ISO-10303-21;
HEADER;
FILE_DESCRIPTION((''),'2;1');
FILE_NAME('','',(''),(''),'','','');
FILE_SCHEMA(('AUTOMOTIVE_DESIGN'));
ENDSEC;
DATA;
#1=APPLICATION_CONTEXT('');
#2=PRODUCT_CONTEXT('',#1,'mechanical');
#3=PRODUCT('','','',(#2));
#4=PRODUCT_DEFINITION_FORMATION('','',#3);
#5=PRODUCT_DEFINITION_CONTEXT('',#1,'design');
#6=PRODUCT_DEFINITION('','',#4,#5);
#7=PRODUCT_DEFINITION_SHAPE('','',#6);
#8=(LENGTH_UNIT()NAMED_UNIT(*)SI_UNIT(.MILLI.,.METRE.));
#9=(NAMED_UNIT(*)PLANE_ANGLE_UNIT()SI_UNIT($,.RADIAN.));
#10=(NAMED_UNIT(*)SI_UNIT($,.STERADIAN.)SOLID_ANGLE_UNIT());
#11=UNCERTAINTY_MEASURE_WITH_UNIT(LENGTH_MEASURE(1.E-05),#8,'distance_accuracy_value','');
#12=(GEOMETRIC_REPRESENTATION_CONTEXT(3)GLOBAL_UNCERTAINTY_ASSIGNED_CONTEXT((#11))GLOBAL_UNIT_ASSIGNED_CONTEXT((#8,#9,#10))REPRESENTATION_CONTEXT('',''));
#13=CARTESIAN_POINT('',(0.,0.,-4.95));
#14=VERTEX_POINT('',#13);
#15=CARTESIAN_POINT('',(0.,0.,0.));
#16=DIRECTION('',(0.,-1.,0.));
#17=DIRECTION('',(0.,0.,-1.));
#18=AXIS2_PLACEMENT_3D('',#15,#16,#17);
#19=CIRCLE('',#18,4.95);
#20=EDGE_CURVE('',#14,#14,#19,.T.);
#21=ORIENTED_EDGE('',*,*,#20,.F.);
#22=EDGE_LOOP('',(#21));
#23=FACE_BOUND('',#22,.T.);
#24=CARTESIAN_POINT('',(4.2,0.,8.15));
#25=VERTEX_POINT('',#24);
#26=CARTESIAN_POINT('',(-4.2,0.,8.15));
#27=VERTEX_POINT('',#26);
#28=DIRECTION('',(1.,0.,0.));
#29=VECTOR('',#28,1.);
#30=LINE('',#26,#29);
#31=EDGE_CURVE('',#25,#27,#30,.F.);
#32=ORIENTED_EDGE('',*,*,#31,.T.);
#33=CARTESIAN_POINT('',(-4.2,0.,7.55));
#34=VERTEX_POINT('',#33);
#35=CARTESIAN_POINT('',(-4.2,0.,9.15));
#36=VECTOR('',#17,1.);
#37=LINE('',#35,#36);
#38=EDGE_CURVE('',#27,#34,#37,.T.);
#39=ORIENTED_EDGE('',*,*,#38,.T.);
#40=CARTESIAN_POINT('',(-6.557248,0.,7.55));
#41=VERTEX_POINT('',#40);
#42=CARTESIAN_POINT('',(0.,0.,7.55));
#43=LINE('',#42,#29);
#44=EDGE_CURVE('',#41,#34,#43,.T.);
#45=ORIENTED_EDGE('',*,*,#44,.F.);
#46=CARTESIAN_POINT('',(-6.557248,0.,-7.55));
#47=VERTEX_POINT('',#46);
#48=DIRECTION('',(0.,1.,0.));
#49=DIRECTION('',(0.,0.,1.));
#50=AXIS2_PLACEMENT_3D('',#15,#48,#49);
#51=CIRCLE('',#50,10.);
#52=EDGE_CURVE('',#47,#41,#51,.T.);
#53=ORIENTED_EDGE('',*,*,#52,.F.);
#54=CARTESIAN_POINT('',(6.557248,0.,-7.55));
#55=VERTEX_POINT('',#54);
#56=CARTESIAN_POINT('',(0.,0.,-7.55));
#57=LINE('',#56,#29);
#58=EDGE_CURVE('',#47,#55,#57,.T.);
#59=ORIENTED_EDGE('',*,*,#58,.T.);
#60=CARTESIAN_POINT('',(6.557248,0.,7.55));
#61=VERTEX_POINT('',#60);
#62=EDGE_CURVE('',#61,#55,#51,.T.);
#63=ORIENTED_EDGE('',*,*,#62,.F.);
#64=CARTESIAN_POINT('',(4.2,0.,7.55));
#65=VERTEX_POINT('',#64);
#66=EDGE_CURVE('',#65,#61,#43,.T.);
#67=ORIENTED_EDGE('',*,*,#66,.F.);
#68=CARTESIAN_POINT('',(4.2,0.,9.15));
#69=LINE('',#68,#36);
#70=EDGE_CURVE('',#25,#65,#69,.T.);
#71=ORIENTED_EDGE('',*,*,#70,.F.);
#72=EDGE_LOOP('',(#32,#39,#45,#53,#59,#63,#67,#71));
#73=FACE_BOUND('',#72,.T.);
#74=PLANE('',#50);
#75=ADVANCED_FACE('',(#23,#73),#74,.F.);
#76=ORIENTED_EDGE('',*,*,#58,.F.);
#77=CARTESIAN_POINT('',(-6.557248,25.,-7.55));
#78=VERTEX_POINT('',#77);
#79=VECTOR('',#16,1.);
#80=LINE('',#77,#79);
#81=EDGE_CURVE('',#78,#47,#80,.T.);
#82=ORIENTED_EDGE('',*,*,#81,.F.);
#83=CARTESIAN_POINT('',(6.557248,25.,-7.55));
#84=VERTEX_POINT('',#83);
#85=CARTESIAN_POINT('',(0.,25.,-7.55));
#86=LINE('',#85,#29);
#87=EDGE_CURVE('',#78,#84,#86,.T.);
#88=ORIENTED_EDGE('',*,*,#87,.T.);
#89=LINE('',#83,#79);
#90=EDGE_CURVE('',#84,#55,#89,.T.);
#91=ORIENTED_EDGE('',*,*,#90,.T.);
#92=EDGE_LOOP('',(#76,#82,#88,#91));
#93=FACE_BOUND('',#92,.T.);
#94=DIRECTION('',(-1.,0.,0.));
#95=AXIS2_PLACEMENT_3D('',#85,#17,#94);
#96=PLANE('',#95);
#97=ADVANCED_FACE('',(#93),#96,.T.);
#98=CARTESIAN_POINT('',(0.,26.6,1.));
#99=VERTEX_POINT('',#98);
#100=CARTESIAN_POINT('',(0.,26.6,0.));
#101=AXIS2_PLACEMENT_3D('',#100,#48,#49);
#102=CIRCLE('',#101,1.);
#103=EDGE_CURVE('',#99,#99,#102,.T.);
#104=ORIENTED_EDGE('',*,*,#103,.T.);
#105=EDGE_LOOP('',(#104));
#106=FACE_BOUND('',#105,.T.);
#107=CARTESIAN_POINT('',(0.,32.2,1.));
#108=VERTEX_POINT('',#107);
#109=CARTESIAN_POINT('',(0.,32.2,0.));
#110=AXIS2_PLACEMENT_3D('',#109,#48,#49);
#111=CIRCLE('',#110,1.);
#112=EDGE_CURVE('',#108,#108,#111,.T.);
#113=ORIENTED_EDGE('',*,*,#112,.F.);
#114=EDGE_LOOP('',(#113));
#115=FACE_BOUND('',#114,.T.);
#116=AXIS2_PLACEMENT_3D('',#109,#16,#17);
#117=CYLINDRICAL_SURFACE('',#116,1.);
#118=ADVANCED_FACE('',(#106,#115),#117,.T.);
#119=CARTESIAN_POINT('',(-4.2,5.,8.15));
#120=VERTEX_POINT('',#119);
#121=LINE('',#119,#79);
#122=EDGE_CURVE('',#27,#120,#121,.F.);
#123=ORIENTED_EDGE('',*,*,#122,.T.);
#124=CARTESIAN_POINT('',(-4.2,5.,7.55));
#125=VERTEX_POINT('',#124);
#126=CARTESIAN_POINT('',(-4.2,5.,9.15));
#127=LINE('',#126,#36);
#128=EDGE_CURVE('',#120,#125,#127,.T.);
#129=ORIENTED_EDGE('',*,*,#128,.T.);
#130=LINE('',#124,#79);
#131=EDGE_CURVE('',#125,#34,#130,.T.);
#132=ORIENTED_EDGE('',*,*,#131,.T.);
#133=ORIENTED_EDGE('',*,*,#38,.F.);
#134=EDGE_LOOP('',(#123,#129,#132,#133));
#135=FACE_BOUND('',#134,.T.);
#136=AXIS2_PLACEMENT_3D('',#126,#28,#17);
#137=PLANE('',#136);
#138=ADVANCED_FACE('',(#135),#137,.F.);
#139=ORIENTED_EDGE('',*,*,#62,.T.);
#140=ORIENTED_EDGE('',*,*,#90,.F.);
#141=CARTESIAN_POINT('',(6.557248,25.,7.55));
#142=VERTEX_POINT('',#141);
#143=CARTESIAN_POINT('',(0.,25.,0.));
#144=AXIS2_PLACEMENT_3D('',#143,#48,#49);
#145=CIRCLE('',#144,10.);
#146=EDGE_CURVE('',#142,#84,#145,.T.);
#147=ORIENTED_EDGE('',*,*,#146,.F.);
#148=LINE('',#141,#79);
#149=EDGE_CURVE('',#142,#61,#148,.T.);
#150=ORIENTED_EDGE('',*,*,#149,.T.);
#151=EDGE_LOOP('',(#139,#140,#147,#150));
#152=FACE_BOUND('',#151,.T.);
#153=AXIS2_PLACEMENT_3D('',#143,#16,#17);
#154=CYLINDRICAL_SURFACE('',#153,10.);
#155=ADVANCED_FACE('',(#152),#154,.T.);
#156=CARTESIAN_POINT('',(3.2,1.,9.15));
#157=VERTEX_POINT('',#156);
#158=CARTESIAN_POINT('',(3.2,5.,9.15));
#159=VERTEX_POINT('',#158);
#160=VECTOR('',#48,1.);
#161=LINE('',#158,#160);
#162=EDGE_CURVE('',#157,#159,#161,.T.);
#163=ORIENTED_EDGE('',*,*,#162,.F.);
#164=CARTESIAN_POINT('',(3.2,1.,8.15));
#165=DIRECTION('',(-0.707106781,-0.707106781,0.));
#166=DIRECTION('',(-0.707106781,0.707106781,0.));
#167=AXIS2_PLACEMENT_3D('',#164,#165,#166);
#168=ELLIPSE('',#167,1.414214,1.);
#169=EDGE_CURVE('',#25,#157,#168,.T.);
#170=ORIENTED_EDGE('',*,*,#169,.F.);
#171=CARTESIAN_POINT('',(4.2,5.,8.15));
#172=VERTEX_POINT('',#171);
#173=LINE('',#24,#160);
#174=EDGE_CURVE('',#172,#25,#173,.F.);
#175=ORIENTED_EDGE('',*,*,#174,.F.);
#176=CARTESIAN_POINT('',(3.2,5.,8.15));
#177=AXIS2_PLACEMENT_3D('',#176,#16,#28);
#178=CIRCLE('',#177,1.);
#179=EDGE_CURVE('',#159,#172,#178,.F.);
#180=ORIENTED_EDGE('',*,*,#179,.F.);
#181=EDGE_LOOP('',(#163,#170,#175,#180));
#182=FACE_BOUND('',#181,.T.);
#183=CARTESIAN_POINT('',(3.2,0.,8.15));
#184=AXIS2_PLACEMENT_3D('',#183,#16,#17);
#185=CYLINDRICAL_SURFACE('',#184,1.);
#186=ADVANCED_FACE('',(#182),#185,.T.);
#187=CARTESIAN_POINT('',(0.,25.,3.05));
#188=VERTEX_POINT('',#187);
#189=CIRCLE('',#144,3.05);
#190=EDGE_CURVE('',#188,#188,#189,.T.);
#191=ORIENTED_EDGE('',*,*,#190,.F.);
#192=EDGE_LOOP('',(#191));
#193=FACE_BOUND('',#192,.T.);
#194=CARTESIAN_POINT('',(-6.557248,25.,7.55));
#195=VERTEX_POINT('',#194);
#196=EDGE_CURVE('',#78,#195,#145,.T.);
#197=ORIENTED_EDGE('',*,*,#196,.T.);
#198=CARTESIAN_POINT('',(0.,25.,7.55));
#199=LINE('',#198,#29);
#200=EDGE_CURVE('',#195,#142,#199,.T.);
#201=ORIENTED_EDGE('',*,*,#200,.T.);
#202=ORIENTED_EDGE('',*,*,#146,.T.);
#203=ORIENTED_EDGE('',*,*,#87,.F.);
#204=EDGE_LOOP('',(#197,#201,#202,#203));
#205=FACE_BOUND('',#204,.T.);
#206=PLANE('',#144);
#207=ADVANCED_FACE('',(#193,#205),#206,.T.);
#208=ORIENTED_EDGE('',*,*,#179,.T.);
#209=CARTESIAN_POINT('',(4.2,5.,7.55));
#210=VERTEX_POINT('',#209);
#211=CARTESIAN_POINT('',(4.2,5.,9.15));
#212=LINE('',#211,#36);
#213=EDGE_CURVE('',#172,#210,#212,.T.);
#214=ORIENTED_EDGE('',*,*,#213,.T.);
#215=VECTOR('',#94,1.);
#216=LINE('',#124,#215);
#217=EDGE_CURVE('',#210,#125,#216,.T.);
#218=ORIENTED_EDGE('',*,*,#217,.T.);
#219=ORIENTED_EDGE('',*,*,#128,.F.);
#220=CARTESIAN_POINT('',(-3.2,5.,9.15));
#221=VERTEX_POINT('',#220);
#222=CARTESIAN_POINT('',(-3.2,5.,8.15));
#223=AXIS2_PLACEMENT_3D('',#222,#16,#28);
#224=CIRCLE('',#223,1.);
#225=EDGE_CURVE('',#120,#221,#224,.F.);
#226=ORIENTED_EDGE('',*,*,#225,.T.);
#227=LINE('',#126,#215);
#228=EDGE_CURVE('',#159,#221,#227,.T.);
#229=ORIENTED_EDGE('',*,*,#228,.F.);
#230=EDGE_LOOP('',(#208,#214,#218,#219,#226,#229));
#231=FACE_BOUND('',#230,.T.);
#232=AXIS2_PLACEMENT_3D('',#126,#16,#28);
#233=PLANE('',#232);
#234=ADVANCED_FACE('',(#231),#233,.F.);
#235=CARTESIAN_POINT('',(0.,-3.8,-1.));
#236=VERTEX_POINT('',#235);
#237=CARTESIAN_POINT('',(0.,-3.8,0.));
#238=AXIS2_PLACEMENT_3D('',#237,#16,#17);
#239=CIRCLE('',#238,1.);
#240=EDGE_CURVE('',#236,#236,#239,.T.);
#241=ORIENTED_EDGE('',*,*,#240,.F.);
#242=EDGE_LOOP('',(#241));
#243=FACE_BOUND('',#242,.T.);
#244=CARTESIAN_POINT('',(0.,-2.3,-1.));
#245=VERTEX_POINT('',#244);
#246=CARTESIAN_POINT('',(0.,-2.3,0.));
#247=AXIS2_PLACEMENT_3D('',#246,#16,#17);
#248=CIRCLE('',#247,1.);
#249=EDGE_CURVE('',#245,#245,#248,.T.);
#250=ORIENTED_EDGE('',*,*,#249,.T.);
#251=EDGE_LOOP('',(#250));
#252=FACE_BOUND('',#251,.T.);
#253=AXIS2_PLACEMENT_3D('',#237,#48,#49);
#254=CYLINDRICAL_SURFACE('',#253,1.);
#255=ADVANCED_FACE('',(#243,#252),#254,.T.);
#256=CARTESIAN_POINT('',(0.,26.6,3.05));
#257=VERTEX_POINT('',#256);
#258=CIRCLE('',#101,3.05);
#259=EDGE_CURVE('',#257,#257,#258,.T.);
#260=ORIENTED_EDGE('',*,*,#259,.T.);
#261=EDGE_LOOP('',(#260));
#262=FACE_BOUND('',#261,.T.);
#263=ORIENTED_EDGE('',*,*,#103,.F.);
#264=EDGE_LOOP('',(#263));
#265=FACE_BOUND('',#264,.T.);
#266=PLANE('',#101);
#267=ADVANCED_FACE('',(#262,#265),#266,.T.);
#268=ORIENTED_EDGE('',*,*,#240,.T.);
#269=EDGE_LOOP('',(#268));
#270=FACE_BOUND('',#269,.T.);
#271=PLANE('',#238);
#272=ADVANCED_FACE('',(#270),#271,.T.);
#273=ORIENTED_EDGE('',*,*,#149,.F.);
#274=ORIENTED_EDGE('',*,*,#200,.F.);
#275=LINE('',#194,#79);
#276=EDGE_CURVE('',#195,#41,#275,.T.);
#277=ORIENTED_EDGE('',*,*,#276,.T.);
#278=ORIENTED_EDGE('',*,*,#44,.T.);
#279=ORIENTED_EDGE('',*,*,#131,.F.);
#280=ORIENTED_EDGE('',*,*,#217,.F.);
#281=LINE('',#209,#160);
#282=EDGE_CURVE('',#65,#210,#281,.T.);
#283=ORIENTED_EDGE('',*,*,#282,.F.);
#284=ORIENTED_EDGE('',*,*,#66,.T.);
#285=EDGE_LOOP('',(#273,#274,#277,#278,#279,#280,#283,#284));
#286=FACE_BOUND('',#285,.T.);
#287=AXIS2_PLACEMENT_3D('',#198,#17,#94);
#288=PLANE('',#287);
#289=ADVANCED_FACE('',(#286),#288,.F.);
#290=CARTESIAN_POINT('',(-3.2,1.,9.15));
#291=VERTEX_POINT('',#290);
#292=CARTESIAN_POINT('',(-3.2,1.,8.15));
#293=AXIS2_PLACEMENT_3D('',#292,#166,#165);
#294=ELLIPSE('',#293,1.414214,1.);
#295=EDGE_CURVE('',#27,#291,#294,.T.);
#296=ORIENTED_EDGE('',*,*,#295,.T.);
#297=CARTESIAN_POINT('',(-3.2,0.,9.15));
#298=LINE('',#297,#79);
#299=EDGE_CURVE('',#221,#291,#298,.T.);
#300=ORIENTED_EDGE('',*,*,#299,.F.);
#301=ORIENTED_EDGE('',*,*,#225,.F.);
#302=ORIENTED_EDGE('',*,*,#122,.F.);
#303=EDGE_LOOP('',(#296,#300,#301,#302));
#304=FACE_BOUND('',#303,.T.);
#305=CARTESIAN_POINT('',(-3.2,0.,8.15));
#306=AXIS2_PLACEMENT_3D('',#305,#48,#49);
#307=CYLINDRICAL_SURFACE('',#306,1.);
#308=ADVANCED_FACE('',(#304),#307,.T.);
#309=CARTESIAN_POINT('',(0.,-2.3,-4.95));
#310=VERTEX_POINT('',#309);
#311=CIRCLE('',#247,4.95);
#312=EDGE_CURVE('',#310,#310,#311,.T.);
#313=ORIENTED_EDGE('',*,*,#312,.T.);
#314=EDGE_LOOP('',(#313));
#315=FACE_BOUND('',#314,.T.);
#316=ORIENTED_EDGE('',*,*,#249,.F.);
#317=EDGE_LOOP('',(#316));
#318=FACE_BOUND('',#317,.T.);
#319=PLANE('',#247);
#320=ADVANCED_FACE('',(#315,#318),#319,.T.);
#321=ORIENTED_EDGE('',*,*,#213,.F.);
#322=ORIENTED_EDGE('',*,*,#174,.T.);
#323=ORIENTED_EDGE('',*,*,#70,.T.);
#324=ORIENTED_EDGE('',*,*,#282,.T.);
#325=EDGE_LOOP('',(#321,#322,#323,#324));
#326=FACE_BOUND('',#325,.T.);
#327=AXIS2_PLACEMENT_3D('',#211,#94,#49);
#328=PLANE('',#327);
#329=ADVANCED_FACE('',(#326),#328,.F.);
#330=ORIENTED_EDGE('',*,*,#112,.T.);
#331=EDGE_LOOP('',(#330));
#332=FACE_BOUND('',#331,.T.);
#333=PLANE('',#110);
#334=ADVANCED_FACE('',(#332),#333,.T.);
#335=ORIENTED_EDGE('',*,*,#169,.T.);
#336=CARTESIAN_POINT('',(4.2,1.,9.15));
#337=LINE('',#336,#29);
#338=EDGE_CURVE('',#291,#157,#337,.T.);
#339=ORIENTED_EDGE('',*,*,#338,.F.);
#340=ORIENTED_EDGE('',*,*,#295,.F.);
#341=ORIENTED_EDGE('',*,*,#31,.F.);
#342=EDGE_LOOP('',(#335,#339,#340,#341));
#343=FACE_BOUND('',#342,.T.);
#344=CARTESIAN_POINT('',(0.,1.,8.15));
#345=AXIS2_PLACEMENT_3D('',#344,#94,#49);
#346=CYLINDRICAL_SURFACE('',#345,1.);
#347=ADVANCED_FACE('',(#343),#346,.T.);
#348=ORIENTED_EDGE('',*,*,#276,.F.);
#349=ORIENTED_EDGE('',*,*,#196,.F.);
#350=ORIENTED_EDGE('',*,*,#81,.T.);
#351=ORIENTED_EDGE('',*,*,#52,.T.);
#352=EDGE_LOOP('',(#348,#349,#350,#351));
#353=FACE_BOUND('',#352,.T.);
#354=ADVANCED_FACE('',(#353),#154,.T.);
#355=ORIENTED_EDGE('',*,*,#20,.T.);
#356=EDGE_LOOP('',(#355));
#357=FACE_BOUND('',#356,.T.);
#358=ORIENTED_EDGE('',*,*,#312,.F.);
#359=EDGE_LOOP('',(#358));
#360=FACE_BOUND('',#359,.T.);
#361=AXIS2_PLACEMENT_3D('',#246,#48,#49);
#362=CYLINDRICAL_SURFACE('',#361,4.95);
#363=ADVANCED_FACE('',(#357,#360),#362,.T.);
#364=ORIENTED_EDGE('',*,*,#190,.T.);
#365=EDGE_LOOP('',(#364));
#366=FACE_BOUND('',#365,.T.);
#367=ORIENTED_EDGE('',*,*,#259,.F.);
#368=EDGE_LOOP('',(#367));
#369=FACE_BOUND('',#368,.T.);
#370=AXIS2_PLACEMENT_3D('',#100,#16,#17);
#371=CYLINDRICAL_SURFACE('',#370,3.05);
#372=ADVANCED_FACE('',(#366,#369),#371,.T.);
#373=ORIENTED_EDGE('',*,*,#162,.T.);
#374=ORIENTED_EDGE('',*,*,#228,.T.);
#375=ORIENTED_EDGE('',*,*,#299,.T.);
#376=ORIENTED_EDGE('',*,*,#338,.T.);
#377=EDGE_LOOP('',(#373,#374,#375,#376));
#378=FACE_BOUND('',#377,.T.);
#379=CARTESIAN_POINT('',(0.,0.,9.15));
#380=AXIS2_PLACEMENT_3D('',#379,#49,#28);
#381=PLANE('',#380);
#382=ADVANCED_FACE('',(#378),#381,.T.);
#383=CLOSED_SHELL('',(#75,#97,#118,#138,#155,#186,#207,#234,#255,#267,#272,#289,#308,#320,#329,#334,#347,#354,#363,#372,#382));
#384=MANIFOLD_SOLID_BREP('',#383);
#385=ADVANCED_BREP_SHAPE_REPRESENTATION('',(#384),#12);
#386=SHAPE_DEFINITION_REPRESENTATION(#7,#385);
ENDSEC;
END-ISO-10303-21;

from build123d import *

# Parameters (mm, degrees)
BOSS_EXTRUDE1_DEPTH = 25
SKETCH2_R           = 3.05
BOSS_EXTRUDE2_DEPTH = 1.6
SKETCH3_R           = 1
BOSS_EXTRUDE3_DEPTH = 5.6
SKETCH4_R           = 4.95
BOSS_EXTRUDE4_DEPTH = 2.3
BOSS_EXTRUDE5_START = 1.5
SKETCH5_R           = 1
BOSS_EXTRUDE5_DEPTH = 1.5
SKETCH6_W           = 8.4
SKETCH6_H           = 5
BOSS_EXTRUDE6_DEPTH = 1.6
FILLET1_R           = 1


with BuildPart() as part:
    # Sketch1 → Boss-Extrude1 (new body)
    with BuildSketch(Plane(origin=(0, 0, 0), x_dir=(1, 0, 0), z_dir=(0, 1, 0))):
        with BuildLine():
            Line((6.557247898, 7.55), (-6.557247898, 7.55))
            ThreePointArc((-6.557247898, 7.55), (-10, 0), (-6.557247898, -7.55))
            Line((-6.557247898, -7.55), (6.557247898, -7.55))
            ThreePointArc((6.557247898, -7.55), (9.098694384, -4.148946916), (10, 0))
            ThreePointArc((10, 0), (9.098694384, 4.148946916), (6.557247898, 7.55))
        make_face()
    extrude(amount=BOSS_EXTRUDE1_DEPTH)

    # Sketch2 → Boss-Extrude2 (add)
    with BuildSketch(Plane(origin=(0, 25, 0), x_dir=(1, 0, 0), z_dir=(0, 1, 0))):
        with Locations(Location((0, 0, 0), (0, 0, 270))):
            Circle(SKETCH2_R)
    extrude(amount=BOSS_EXTRUDE2_DEPTH)

    # Sketch3 → Boss-Extrude3 (add)
    with BuildSketch(Plane(origin=(0, 26.6, 0), x_dir=(1, 0, 0), z_dir=(0, 1, 0))):
        with Locations(Location((0, 0, 0), (0, 0, 270))):
            Circle(SKETCH3_R)
    extrude(amount=BOSS_EXTRUDE3_DEPTH)

    # Sketch4 → Boss-Extrude4 (add)
    with BuildSketch(Plane.XZ):
        with Locations(Location((0, 0, 0), (0, 0, 270))):
            Circle(SKETCH4_R)
    extrude(amount=BOSS_EXTRUDE4_DEPTH)

    # Sketch5 → Boss-Extrude5 (add)
    with BuildSketch(Plane.XZ.offset(2.3).offset(BOSS_EXTRUDE5_START)):
        with Locations(Location((0, 0, 0), (0, 0, 90))):
            Circle(SKETCH5_R)
    extrude(amount=-BOSS_EXTRUDE5_DEPTH)

    # Sketch6 → Boss-Extrude6 (add)
    with BuildSketch(Plane.XY.offset(7.55)):
        with Locations((0, 2.5)):
            Rectangle(SKETCH6_W, SKETCH6_H)
    extrude(amount=BOSS_EXTRUDE6_DEPTH)

    # Fillet1
    fillet1_edges = [part.edges().sort_by_distance(p)[0] for p in [
        (-4.2, 2.5, 9.15),
        (0, 0, 9.15),
        (4.2, 2.5, 9.15),
    ]]
    fillet(fillet1_edges, radius=FILLET1_R)


solid = part.part
